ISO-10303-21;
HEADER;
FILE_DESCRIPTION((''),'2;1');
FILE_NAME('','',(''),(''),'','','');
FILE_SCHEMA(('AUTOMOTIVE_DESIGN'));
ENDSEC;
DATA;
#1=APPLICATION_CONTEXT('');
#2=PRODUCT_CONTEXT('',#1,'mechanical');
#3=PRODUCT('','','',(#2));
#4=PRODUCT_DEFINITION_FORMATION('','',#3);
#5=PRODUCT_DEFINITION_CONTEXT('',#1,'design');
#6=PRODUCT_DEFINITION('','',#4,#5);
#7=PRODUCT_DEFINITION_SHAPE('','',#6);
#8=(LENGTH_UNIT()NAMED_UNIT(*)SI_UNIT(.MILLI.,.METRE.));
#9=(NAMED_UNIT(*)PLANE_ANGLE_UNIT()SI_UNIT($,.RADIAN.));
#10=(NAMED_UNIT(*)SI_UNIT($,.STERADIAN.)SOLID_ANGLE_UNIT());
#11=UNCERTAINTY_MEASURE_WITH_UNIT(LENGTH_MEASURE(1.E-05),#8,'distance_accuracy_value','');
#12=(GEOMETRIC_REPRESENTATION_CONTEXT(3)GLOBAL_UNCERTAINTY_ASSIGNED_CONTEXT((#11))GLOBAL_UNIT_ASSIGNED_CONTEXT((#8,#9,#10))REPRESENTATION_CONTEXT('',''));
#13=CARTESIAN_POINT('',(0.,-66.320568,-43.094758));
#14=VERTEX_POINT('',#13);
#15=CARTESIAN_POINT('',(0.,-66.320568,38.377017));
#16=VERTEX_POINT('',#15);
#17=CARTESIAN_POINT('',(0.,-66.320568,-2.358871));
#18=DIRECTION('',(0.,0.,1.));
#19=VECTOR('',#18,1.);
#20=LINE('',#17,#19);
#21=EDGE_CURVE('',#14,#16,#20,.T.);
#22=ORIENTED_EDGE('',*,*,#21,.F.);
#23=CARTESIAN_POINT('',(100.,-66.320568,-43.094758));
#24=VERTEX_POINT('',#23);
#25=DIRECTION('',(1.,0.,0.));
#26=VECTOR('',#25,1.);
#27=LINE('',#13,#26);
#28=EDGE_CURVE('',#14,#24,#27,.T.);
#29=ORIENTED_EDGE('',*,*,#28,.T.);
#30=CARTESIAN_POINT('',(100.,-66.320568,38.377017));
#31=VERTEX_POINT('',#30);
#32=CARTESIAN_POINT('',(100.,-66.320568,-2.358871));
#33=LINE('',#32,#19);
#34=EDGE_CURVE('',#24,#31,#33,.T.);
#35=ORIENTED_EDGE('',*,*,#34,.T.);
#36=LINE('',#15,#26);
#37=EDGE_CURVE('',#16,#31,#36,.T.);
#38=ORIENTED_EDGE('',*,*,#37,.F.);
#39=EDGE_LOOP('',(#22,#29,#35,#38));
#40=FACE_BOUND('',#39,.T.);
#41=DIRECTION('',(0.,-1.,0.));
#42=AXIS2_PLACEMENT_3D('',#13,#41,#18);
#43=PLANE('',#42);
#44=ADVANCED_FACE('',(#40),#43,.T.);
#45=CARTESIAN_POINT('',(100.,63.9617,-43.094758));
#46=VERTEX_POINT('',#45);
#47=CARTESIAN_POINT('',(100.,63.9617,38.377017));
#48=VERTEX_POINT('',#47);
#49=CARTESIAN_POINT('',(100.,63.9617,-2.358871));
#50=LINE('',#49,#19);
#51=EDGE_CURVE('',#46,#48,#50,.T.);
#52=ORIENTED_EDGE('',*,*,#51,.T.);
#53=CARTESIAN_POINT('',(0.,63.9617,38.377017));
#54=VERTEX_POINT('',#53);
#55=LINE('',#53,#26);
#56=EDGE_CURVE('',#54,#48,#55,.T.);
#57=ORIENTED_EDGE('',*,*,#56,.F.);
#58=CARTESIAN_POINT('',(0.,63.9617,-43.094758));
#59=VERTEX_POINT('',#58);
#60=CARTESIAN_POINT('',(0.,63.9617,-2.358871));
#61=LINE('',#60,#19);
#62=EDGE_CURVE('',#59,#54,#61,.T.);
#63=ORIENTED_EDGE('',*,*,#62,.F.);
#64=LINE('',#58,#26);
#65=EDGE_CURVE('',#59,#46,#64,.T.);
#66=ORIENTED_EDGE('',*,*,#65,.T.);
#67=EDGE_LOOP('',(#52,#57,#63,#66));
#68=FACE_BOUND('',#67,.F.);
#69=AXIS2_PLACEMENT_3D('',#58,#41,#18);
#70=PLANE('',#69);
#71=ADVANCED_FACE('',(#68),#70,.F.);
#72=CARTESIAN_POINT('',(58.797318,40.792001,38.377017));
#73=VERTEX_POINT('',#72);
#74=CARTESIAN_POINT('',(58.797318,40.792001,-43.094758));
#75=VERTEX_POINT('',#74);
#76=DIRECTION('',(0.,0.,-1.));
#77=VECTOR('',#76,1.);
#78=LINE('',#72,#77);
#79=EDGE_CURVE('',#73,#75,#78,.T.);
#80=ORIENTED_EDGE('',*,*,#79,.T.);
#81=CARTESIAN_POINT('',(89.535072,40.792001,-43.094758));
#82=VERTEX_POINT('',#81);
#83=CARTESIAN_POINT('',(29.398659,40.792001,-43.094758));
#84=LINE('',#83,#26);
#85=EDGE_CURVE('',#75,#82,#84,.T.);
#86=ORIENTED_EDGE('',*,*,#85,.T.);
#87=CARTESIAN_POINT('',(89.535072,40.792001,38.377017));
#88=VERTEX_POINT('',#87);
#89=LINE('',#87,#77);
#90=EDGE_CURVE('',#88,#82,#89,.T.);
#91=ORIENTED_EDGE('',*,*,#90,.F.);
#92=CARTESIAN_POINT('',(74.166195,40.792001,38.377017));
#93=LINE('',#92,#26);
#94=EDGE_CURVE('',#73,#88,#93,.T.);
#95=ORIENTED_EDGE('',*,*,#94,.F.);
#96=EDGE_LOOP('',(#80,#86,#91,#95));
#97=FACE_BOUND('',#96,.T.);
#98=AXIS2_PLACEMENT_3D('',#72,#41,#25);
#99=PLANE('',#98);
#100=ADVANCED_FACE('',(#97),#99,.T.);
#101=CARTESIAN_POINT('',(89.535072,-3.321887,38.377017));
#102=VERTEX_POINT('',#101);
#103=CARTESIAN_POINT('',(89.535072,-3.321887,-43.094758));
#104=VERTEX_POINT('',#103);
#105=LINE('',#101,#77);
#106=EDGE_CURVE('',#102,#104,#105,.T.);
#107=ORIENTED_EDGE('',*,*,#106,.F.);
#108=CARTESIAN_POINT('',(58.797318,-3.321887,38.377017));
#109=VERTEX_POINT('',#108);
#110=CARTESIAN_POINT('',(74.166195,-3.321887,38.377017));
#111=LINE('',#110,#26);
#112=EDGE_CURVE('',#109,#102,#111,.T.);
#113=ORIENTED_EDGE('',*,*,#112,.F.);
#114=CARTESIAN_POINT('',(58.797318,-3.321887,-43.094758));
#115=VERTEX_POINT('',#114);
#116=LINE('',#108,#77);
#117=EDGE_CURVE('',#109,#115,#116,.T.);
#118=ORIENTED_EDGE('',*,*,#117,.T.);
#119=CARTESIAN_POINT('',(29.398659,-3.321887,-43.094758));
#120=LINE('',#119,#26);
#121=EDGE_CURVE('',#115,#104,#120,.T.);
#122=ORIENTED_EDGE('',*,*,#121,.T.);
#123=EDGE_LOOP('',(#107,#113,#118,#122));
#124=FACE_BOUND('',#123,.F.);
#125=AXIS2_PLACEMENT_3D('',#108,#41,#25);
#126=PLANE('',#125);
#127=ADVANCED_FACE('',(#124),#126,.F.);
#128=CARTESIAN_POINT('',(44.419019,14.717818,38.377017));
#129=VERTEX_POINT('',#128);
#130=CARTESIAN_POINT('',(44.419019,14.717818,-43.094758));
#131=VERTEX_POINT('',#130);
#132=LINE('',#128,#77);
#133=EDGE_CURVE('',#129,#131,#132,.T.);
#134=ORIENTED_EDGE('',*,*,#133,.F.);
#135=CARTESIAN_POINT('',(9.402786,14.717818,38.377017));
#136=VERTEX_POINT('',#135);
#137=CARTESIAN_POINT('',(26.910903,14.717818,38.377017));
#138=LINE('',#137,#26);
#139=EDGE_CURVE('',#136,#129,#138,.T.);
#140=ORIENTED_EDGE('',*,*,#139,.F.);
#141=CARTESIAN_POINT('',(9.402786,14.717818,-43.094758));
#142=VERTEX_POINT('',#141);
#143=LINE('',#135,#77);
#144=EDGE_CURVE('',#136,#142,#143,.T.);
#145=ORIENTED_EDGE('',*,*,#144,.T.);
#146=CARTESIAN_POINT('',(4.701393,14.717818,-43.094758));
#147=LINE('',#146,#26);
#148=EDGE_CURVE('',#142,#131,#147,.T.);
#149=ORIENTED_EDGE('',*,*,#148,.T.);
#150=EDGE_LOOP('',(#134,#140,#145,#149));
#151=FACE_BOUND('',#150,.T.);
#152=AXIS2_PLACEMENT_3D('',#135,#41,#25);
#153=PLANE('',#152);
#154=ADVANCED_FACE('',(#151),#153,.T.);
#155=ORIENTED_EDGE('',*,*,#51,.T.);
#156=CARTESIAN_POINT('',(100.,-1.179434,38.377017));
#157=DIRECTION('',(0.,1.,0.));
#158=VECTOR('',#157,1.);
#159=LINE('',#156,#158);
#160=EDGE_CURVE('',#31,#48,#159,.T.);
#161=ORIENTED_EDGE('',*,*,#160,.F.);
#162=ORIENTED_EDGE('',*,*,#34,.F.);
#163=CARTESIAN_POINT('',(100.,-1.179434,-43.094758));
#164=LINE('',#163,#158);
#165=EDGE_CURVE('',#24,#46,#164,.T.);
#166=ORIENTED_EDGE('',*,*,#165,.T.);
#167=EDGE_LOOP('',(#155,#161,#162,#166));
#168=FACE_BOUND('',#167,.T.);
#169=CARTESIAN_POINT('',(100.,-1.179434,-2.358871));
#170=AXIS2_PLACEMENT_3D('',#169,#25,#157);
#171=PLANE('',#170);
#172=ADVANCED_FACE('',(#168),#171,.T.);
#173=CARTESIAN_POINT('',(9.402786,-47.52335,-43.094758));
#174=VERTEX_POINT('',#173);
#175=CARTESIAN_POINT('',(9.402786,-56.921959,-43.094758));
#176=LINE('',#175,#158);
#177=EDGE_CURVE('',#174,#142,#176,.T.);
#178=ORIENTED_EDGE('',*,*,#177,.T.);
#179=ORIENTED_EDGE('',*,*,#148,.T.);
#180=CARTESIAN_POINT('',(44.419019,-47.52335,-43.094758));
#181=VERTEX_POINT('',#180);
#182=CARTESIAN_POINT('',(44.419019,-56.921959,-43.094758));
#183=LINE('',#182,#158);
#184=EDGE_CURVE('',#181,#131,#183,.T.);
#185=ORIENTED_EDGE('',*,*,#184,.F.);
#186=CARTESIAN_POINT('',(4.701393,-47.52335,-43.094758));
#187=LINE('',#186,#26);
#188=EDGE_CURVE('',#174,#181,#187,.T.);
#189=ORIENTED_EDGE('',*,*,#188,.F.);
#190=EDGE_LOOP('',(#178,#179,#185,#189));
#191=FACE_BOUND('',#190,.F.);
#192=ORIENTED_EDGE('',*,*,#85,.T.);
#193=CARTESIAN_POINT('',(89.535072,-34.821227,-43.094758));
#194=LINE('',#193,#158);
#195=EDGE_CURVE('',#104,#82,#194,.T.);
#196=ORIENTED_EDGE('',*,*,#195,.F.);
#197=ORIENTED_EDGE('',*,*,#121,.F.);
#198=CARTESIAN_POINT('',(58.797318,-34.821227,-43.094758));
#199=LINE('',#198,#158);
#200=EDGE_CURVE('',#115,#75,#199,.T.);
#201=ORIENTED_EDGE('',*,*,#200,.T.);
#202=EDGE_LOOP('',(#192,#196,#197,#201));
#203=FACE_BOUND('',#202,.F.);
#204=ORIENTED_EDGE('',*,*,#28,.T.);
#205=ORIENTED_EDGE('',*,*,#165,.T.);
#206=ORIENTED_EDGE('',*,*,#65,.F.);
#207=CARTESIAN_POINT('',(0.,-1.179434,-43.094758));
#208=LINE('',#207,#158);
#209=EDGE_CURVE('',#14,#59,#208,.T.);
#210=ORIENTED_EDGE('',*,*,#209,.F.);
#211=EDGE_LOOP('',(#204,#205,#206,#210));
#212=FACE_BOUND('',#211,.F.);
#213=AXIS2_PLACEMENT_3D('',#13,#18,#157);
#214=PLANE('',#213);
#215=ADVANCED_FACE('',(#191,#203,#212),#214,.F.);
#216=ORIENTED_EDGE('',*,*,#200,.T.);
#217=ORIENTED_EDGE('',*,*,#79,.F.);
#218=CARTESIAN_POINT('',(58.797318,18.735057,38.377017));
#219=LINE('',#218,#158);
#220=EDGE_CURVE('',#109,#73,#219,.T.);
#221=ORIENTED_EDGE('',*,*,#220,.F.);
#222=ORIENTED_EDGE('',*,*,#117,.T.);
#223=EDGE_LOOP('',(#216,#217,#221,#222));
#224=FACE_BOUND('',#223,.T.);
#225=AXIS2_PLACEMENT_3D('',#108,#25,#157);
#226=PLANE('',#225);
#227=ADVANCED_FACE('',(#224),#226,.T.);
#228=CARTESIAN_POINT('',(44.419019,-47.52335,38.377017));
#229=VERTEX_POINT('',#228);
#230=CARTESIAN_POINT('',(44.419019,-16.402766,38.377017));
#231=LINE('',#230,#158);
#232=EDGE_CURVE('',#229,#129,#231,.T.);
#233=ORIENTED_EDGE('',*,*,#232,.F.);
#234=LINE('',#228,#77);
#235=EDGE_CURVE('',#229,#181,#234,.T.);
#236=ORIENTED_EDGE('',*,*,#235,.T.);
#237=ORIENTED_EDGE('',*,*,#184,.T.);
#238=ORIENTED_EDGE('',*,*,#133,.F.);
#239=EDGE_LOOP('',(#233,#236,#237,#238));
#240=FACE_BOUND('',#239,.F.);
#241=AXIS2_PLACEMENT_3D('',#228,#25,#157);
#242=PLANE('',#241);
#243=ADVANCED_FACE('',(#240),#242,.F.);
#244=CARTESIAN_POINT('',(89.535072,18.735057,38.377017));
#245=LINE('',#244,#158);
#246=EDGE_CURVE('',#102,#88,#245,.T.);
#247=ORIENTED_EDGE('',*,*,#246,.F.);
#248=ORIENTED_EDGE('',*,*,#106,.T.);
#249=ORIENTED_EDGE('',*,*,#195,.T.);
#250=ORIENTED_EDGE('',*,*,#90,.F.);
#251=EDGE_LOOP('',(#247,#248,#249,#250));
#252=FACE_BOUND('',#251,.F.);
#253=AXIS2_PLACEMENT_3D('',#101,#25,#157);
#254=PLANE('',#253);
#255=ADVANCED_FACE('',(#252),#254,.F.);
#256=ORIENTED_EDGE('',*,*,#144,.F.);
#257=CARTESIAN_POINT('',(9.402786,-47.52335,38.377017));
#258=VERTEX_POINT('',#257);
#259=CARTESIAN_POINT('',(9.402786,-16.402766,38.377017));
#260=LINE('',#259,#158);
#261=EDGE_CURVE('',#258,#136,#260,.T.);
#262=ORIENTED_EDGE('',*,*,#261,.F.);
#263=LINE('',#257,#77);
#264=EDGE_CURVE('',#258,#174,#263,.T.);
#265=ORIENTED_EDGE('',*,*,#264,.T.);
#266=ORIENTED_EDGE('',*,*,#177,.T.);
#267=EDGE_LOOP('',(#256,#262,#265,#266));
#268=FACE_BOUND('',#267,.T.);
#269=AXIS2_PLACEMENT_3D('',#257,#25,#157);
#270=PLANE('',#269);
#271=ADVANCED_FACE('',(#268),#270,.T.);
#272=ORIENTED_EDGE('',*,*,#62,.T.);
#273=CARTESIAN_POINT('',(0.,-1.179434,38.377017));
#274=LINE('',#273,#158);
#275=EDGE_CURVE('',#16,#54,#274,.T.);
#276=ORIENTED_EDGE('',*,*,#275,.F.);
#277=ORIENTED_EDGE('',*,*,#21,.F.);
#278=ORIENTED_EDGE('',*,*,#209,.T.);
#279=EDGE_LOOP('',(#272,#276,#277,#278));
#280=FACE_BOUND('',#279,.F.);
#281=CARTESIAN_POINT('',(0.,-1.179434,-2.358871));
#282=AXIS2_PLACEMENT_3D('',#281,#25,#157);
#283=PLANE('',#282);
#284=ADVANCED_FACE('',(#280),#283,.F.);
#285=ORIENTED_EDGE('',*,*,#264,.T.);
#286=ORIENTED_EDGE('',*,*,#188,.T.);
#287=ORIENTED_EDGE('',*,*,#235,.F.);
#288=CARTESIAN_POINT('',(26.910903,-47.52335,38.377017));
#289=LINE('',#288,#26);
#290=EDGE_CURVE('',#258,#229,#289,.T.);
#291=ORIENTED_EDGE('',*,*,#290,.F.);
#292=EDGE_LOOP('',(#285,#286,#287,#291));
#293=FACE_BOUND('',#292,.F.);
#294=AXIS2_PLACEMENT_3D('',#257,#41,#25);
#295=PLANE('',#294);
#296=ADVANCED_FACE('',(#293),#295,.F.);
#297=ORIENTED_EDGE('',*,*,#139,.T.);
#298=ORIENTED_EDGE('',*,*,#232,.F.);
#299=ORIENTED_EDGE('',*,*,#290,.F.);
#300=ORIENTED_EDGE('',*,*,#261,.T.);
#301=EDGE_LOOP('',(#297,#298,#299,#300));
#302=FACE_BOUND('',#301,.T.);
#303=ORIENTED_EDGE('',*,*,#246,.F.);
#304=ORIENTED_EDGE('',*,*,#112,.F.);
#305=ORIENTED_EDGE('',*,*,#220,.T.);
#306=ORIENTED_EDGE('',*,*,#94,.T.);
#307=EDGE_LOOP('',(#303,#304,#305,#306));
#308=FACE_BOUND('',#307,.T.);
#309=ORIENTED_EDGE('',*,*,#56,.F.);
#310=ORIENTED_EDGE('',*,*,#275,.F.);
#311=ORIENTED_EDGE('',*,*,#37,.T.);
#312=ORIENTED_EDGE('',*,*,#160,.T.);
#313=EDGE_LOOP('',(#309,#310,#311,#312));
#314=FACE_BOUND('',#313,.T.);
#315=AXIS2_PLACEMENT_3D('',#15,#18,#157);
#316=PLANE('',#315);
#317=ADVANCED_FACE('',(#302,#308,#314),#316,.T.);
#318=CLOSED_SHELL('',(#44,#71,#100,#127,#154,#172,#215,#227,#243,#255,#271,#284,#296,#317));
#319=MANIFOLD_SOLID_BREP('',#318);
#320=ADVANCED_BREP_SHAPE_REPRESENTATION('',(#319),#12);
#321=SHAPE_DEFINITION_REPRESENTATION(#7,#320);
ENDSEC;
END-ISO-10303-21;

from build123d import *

# Parameters (mm, degrees)
F0_W     = 130.282268
F0_H     = 81.471775
F1_DEPTH = 100
F2_W     = 35.016233
F2_H     = 62.241167
F3_DEPTH = 100
F2_W_2   = 30.737754
F2_H_2   = 44.113887
F4_DEPTH = 100


with BuildPart() as f1:
    # F0 (on Right) → F1 (new body)
    with BuildSketch(Plane.YZ):
        with Locations((-1.179434, -2.358871)):
            Rectangle(F0_W, F0_H)
    extrude(amount=F1_DEPTH)

    # F2 (on face) → F3 (cut)
    with BuildSketch(Plane.XY.offset(38.377017)):
        with Locations((26.910903, -16.402766)):
            Rectangle(F2_W, F2_H)
    extrude(amount=-F3_DEPTH, mode=Mode.SUBTRACT)

    # F2 (on face) → F4 (cut)
    with BuildSketch(Plane.XY.offset(38.377017)):
        with Locations((74.166195, 18.735057)):
            Rectangle(F2_W_2, F2_H_2)
    extrude(amount=-F4_DEPTH, mode=Mode.SUBTRACT)


solid = f1.part
